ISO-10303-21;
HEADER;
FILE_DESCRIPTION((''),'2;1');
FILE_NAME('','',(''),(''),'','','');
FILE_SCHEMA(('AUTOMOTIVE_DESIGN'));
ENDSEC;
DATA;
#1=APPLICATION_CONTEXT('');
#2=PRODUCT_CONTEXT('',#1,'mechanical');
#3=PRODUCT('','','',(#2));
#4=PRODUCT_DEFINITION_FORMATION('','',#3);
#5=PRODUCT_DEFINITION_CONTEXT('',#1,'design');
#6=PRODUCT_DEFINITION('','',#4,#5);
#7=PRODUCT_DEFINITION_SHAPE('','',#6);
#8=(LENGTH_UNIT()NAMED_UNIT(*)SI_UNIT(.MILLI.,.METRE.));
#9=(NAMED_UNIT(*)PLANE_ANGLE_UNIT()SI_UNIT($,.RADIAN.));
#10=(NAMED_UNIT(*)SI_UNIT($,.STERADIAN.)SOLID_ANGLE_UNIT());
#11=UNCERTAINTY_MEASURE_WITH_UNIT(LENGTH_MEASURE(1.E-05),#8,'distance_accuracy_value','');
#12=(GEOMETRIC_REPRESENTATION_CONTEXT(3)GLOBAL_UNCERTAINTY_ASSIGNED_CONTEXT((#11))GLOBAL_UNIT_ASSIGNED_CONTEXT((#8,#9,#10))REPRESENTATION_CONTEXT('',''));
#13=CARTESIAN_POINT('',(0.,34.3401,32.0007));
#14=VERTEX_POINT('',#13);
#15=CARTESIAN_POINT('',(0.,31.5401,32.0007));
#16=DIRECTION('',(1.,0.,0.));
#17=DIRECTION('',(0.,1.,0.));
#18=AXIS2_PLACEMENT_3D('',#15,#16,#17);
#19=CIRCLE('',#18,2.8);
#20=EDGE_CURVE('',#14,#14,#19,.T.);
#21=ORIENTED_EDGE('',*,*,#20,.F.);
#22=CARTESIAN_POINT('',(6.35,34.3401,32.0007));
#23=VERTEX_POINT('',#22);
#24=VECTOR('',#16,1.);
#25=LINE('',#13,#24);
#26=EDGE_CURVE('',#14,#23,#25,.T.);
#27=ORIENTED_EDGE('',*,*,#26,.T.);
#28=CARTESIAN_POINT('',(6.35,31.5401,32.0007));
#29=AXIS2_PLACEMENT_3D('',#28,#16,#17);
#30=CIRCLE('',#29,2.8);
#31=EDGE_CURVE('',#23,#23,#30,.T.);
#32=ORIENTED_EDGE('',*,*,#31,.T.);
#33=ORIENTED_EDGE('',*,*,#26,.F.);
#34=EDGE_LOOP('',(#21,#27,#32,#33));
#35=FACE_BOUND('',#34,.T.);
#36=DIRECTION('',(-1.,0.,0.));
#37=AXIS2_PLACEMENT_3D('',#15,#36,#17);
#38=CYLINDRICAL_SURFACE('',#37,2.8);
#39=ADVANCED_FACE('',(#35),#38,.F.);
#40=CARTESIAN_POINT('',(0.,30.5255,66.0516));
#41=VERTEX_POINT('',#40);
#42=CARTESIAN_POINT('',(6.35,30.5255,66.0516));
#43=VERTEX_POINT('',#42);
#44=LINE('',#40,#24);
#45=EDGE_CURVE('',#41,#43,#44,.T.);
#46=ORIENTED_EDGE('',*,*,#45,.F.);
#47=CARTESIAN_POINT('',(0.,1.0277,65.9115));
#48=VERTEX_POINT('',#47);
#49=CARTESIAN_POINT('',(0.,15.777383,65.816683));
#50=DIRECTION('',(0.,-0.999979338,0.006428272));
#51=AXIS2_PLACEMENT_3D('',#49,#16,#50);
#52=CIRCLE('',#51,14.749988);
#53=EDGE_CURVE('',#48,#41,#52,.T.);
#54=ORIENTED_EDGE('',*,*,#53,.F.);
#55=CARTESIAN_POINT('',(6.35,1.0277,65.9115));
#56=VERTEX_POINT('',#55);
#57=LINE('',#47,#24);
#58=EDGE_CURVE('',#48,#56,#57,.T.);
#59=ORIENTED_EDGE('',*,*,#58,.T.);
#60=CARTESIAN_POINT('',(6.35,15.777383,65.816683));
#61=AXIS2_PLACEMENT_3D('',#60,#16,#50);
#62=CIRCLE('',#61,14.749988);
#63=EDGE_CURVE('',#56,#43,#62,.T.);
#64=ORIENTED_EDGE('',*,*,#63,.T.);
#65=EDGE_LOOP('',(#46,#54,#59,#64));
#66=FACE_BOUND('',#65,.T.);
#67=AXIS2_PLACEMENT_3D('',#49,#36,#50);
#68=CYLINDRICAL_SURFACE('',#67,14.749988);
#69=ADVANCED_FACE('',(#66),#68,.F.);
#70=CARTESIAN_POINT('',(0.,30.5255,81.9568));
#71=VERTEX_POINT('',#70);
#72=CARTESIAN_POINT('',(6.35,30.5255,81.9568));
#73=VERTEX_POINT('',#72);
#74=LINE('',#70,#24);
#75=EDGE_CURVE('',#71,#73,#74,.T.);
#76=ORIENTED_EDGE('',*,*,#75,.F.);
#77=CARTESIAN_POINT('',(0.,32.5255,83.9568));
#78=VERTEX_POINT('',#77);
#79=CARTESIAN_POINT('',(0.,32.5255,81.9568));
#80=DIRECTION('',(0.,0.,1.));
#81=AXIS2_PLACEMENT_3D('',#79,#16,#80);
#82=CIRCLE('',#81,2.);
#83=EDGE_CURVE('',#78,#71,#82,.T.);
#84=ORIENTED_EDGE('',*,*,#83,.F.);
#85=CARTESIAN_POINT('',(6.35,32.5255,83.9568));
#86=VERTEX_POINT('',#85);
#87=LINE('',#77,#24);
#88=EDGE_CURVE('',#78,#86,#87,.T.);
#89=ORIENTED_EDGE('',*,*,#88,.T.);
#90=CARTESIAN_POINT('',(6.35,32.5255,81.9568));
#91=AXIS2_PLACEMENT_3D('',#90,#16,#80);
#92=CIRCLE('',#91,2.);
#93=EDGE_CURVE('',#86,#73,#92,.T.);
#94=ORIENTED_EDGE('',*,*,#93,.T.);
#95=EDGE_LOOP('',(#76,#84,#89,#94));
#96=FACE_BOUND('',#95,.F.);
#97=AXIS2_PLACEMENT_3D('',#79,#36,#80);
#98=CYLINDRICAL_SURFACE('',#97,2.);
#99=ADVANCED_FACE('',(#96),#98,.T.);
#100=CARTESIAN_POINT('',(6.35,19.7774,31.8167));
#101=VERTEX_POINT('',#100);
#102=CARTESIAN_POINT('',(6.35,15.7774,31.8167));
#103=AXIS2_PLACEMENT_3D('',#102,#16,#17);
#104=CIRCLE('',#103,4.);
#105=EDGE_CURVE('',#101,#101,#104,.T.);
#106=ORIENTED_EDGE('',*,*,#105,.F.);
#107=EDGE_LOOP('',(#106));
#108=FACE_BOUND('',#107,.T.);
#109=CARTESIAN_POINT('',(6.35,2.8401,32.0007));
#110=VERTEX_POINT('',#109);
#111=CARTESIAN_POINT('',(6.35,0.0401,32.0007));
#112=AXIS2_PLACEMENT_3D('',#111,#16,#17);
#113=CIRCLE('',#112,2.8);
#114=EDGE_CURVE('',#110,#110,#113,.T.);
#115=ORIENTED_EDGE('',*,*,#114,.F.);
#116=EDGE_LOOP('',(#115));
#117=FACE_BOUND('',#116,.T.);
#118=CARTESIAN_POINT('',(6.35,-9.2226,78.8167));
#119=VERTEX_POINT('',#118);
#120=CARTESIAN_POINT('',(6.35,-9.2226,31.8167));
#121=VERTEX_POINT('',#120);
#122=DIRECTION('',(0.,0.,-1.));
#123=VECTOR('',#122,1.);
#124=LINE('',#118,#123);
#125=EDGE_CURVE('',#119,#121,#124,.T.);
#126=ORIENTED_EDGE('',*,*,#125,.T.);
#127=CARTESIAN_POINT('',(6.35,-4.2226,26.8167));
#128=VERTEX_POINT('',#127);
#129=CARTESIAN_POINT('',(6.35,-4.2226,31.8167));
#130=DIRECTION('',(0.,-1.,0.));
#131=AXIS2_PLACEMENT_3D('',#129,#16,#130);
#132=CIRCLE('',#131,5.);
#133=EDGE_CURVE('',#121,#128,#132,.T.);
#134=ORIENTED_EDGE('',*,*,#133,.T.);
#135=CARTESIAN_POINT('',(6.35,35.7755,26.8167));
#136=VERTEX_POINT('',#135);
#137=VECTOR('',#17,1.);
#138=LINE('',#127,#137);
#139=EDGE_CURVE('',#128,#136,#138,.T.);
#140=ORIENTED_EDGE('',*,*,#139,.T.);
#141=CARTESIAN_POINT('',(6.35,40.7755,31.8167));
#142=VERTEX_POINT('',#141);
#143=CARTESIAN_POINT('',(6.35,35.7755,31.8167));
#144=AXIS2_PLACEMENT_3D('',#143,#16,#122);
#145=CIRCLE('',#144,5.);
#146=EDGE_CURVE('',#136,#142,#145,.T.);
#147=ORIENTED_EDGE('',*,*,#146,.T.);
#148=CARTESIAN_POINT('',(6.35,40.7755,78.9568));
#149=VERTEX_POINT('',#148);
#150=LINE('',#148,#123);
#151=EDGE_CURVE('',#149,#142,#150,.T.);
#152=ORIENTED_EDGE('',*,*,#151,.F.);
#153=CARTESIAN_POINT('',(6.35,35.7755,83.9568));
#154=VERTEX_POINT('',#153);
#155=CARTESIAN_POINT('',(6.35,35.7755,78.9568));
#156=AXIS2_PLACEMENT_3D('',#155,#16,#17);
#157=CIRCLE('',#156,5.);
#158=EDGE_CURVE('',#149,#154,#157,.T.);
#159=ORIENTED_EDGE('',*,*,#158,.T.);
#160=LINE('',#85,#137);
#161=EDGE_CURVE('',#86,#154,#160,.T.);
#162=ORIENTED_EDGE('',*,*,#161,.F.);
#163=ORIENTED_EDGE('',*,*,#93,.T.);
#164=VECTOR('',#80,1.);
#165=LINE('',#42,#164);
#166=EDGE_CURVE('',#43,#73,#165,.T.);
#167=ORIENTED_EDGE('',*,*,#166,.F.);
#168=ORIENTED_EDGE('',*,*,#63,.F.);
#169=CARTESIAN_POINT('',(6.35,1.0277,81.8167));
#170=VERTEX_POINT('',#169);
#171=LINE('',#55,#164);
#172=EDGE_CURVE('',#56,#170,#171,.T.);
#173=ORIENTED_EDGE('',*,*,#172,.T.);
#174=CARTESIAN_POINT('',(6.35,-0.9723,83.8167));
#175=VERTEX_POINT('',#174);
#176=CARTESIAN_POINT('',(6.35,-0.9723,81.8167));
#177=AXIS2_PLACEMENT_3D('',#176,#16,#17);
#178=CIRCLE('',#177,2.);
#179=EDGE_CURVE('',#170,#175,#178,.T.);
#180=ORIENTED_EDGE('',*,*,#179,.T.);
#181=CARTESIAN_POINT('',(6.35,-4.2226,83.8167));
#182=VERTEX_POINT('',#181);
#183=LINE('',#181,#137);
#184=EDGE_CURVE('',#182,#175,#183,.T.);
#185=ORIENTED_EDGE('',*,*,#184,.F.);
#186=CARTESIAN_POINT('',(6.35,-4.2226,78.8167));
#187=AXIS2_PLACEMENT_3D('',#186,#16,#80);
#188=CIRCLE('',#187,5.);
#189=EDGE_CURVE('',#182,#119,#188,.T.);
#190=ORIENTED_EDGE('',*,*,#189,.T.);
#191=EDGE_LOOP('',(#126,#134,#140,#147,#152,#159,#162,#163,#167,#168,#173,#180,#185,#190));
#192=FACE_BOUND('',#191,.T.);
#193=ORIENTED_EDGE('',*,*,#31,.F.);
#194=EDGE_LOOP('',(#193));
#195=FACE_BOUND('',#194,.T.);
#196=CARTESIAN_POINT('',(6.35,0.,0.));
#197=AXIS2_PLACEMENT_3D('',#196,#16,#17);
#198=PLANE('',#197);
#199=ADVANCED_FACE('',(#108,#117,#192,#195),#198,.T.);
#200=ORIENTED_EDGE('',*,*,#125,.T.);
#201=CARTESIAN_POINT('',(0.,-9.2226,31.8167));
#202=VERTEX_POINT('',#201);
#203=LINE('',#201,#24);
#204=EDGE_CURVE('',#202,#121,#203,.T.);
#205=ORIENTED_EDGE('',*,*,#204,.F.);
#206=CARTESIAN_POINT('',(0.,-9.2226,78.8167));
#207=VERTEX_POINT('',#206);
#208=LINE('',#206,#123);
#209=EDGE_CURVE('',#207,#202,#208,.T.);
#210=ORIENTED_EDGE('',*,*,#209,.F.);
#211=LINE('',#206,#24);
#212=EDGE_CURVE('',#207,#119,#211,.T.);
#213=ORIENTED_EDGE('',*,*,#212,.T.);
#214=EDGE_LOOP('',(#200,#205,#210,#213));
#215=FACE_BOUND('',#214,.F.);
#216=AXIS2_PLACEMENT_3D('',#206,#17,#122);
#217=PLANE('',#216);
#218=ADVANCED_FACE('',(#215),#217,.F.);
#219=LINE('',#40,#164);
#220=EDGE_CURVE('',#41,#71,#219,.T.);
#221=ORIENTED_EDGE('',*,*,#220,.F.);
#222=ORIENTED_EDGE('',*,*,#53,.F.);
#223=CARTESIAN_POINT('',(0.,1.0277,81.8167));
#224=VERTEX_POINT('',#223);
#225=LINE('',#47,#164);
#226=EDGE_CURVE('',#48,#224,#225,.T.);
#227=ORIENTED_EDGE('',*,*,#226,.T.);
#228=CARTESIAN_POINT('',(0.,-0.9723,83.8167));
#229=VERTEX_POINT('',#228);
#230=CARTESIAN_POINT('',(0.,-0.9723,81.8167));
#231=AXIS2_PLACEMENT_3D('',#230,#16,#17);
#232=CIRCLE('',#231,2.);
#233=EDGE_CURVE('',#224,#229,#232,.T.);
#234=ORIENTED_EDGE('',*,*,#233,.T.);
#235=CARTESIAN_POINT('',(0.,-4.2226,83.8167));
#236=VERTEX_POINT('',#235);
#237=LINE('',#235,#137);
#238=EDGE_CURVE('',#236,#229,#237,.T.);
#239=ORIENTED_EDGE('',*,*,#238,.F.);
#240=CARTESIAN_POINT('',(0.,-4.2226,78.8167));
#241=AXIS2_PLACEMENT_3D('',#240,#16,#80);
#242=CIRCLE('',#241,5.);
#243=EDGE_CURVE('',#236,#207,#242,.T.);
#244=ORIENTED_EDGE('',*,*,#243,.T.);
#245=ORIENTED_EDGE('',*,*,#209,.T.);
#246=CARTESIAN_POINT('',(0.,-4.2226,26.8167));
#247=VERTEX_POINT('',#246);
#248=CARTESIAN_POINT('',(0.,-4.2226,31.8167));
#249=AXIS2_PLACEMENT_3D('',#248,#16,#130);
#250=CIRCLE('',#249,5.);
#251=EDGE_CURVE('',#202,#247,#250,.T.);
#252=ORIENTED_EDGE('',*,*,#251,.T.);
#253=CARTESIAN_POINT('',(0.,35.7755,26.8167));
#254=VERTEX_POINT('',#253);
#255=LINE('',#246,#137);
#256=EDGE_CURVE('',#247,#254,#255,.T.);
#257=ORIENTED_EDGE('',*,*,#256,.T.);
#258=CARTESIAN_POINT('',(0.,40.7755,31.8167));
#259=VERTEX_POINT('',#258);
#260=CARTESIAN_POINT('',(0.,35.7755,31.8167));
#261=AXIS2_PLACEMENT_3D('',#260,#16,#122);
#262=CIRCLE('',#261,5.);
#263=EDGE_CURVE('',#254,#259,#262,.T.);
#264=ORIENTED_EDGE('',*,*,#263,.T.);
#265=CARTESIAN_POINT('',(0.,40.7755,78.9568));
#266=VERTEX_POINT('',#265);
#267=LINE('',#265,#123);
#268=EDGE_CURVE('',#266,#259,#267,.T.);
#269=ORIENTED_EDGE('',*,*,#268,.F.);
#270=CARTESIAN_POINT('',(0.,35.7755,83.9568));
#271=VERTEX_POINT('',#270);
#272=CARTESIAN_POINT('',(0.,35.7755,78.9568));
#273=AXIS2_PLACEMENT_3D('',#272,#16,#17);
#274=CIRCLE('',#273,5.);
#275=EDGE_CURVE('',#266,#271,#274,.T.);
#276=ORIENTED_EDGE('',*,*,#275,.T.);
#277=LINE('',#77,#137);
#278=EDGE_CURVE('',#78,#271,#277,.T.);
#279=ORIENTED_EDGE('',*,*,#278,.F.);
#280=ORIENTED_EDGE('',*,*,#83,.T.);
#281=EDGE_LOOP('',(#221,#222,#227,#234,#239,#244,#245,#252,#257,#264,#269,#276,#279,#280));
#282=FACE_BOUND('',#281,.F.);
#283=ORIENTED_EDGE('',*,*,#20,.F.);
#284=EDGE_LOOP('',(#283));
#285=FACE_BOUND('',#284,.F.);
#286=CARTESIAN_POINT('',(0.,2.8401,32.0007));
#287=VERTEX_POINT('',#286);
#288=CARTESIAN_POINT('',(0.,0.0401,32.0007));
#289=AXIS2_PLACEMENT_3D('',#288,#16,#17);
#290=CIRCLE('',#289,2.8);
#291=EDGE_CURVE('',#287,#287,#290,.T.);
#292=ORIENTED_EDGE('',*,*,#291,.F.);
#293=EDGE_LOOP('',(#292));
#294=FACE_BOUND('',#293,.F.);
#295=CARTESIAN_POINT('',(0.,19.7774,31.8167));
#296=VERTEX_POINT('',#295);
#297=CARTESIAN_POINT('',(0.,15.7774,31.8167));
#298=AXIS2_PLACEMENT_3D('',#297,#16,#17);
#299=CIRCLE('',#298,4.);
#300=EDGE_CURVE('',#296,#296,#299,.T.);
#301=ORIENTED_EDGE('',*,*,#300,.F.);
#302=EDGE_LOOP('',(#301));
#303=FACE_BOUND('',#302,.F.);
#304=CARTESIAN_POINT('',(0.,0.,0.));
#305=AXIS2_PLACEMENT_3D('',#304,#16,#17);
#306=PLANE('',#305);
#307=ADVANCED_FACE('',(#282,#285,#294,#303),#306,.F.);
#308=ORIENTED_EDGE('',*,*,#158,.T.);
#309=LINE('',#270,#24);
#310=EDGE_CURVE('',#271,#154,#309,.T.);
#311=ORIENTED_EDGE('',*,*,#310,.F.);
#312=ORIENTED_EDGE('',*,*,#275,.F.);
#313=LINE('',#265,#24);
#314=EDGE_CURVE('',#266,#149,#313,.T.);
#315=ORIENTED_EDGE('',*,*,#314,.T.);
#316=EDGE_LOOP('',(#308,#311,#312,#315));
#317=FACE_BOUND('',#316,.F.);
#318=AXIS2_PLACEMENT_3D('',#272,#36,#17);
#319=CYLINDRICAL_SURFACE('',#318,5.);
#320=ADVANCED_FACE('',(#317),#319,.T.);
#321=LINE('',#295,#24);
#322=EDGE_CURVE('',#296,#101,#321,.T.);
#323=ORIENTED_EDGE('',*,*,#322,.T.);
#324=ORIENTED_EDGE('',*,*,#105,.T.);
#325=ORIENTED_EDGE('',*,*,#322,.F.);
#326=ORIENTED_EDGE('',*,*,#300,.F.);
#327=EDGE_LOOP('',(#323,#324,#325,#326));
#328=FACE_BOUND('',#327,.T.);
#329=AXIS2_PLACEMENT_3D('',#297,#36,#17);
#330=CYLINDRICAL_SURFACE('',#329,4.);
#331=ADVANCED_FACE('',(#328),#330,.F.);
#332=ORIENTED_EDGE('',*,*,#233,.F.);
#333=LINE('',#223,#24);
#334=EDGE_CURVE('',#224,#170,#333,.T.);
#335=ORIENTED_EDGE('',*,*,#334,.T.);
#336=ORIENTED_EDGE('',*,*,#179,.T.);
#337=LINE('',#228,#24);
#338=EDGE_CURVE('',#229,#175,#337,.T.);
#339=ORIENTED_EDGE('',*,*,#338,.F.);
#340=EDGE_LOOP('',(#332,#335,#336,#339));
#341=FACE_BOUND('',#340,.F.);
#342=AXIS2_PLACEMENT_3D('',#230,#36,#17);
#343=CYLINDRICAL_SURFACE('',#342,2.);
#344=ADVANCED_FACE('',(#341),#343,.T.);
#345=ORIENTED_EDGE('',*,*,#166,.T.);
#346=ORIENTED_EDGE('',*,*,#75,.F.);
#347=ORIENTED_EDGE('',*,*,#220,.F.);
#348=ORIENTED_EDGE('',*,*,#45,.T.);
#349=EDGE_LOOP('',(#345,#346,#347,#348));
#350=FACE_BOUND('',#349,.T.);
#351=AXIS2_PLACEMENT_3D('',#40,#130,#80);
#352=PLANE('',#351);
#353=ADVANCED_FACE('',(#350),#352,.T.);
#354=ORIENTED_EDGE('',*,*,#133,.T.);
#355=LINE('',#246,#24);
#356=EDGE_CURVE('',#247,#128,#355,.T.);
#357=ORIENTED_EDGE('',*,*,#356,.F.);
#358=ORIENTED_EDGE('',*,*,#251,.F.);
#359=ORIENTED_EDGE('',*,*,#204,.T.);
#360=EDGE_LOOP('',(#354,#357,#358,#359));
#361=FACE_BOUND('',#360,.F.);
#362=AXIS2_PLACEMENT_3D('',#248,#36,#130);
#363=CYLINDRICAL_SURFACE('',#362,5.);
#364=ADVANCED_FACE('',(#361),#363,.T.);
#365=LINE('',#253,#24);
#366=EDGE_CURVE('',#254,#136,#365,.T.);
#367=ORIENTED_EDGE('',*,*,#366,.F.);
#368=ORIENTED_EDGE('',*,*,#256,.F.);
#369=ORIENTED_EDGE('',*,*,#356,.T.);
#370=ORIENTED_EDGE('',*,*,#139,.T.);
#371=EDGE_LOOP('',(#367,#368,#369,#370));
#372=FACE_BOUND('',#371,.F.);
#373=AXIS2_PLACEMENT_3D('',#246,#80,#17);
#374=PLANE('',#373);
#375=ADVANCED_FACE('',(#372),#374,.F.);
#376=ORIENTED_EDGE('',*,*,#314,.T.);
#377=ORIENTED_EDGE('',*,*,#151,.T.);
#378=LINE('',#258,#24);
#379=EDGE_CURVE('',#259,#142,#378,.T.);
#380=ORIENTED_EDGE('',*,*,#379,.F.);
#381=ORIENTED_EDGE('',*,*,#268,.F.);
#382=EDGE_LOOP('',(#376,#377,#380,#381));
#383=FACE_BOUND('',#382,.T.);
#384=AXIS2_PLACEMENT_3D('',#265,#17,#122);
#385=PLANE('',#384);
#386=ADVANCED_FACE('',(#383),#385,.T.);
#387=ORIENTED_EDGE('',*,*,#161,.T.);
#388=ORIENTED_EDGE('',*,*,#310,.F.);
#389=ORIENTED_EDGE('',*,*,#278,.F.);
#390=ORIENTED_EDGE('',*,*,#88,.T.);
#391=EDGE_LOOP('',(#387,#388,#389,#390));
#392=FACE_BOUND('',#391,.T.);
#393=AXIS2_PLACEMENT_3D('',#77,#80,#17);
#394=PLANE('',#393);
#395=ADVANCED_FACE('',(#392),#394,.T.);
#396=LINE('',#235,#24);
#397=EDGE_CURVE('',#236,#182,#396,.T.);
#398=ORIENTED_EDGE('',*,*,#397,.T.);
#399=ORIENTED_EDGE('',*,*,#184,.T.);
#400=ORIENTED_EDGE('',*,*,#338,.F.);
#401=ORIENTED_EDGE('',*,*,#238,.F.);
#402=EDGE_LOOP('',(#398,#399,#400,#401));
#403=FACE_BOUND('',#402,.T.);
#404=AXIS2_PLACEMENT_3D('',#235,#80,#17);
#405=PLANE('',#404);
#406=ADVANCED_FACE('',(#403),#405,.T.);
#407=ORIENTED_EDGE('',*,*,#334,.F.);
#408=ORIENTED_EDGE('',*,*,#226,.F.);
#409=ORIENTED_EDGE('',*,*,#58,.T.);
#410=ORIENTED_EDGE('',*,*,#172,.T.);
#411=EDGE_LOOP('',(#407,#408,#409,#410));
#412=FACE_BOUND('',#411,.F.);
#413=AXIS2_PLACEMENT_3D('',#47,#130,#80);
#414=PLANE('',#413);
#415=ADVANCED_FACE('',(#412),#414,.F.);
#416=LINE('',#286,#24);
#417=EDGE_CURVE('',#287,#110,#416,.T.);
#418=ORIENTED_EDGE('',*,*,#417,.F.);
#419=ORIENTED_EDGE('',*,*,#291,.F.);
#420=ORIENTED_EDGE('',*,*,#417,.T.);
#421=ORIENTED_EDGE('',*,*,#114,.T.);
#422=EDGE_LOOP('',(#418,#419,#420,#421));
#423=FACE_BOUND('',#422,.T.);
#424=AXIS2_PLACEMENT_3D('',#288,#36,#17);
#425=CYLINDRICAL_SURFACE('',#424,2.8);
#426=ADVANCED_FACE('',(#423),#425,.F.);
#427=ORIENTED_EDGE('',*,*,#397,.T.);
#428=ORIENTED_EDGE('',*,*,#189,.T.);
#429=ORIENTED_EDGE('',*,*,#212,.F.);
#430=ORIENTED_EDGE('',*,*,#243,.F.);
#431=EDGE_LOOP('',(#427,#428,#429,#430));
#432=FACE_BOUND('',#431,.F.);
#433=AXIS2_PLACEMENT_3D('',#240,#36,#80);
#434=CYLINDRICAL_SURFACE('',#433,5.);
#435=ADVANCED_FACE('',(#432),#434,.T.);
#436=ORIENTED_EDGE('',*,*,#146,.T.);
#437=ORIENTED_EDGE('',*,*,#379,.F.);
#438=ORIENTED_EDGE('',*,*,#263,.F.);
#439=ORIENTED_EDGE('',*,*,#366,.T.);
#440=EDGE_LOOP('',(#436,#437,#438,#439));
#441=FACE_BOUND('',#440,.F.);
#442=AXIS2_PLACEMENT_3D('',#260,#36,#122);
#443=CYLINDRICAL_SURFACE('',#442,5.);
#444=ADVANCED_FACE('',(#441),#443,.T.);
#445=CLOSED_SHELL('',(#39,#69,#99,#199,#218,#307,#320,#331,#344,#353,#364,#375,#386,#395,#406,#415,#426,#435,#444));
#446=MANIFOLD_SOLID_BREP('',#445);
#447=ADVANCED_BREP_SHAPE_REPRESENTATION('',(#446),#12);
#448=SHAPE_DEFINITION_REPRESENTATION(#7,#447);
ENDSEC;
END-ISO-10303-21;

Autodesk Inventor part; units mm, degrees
ref_plane "YZ Plane" through (0, 0, 0) normal (1, 0, 0) x (0, 1, 0)
ref_plane "XZ Plane" through (0, 0, 0) normal (0, 1, 0) x (-1, 0, 0)
ref_plane "XY Plane" through (0, 0, 0) normal (0, 0, 1) x (1, 0, 0)
sketch "Sketch1" plane through (0, 0, 0) normal (1, 0, 0) x (0, 1, 0)
  arc A0 (1.0277, 65.9115) -> (30.5255, 66.0516) centre (15.7774, 65.8167) ccw
  line L0 (30.5255, 66.0516) -> (30.5255, 81.9568)
  line L1 (40.7755, 78.9568) -> (40.7755, 31.8167)
  circle A1 centre (15.7774, 31.8167) radius 4
  line L2 (-9.2226, 78.8167) -> (-9.2226, 31.8167)
  line L3 (1.0277, 65.9115) -> (1.0277, 81.8167)
  line L4 (-4.2226, 83.8167) -> (-0.9723, 83.8167)
  line L5 (32.5255, 83.9568) -> (35.7755, 83.9568)
  circle A2 centre (0.0401, 32.0007) radius 2.8
  circle A3 centre (31.5401, 32.0007) radius 2.8
  line L6 (15.7774, 31.8167) -> (15.7774, 44.8985) construction
  arc A4 (40.7755, 78.9568) -> (35.7755, 83.9568) centre (35.7755, 78.9568) ccw
  arc A5 (-4.2226, 83.8167) -> (-9.2226, 78.8167) centre (-4.2226, 78.8167) ccw
  line L7 (-4.2226, 26.8167) -> (35.7755, 26.8167)
  arc A6 (-9.2226, 31.8167) -> (-4.2226, 26.8167) centre (-4.2226, 31.8167) ccw
  arc A7 (35.7755, 26.8167) -> (40.7755, 31.8167) centre (35.7755, 31.8167) ccw
  arc A8 (32.5255, 83.9568) -> (30.5255, 81.9568) centre (32.5255, 81.9568) ccw
  arc A9 (1.0277, 81.8167) -> (-0.9723, 83.8167) centre (-0.9723, 81.8167) ccw
  point P0 (-9.2226, 83.8167)
  point P1 (30.5255, 83.9568)
  point P2 (40.7755, 83.9568)
  point P3 (1.0277, 83.8167)
  dimension "d21" = 29.5
  dimension "d44" = 8
  dimension "d57" = 25
  dimension "d64" = 5.6
  dimension "d74" = 18
  dimension "d76" = 5
  dimension "d79" = 2
extrude "Extrusion2" add sketch "Sketch1" along normal blind 6.35
properties part number "motor mount"
